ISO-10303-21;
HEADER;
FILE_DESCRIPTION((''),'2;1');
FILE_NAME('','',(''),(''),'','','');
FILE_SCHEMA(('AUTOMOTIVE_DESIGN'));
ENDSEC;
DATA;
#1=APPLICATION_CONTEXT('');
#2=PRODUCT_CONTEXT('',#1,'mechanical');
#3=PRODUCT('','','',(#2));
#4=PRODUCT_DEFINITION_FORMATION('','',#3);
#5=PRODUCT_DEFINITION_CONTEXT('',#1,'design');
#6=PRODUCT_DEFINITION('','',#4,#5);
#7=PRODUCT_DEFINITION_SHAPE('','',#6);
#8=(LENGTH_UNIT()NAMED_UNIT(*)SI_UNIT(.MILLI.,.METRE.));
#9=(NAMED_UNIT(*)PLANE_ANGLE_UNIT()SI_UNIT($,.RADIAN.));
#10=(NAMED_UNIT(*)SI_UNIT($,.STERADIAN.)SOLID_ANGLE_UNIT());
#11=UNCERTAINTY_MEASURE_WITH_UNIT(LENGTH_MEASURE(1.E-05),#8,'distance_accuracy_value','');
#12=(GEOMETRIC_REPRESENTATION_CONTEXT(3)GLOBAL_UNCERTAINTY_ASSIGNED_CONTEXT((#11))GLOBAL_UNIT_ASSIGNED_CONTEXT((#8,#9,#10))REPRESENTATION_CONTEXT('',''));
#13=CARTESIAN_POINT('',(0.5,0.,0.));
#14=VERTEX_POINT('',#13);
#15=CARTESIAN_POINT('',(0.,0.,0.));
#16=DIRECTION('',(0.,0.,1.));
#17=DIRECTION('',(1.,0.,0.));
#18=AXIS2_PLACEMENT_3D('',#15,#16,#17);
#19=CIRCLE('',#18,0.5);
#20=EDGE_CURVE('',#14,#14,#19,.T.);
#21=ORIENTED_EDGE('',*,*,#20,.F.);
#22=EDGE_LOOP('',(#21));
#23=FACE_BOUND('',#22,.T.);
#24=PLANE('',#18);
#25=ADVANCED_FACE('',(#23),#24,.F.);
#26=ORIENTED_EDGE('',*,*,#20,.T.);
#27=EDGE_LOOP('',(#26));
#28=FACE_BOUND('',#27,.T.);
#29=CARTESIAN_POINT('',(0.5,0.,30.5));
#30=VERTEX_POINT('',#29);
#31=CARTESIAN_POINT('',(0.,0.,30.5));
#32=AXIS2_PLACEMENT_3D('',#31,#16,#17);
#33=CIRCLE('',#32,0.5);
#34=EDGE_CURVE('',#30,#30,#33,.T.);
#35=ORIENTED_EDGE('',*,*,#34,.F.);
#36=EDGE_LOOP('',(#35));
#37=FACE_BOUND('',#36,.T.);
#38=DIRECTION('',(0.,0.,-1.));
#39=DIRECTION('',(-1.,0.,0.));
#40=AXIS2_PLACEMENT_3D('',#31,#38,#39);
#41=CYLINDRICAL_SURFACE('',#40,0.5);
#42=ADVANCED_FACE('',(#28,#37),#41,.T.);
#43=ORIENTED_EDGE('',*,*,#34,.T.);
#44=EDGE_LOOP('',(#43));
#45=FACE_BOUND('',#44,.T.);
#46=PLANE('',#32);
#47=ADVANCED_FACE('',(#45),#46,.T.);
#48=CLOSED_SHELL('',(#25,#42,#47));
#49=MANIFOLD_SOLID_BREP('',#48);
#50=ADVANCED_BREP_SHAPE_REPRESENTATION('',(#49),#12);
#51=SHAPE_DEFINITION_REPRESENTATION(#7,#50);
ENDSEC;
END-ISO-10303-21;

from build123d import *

# Parameters (mm, degrees)
SKETCH1_R           = 0.5
BOSS_EXTRUDE1_DEPTH = 30.5


with BuildPart() as part:
    # Sketch1 → Boss-Extrude1 (new body)
    with BuildSketch(Plane.XY):
        Circle(SKETCH1_R)
    extrude(amount=BOSS_EXTRUDE1_DEPTH)


solid = part.part
